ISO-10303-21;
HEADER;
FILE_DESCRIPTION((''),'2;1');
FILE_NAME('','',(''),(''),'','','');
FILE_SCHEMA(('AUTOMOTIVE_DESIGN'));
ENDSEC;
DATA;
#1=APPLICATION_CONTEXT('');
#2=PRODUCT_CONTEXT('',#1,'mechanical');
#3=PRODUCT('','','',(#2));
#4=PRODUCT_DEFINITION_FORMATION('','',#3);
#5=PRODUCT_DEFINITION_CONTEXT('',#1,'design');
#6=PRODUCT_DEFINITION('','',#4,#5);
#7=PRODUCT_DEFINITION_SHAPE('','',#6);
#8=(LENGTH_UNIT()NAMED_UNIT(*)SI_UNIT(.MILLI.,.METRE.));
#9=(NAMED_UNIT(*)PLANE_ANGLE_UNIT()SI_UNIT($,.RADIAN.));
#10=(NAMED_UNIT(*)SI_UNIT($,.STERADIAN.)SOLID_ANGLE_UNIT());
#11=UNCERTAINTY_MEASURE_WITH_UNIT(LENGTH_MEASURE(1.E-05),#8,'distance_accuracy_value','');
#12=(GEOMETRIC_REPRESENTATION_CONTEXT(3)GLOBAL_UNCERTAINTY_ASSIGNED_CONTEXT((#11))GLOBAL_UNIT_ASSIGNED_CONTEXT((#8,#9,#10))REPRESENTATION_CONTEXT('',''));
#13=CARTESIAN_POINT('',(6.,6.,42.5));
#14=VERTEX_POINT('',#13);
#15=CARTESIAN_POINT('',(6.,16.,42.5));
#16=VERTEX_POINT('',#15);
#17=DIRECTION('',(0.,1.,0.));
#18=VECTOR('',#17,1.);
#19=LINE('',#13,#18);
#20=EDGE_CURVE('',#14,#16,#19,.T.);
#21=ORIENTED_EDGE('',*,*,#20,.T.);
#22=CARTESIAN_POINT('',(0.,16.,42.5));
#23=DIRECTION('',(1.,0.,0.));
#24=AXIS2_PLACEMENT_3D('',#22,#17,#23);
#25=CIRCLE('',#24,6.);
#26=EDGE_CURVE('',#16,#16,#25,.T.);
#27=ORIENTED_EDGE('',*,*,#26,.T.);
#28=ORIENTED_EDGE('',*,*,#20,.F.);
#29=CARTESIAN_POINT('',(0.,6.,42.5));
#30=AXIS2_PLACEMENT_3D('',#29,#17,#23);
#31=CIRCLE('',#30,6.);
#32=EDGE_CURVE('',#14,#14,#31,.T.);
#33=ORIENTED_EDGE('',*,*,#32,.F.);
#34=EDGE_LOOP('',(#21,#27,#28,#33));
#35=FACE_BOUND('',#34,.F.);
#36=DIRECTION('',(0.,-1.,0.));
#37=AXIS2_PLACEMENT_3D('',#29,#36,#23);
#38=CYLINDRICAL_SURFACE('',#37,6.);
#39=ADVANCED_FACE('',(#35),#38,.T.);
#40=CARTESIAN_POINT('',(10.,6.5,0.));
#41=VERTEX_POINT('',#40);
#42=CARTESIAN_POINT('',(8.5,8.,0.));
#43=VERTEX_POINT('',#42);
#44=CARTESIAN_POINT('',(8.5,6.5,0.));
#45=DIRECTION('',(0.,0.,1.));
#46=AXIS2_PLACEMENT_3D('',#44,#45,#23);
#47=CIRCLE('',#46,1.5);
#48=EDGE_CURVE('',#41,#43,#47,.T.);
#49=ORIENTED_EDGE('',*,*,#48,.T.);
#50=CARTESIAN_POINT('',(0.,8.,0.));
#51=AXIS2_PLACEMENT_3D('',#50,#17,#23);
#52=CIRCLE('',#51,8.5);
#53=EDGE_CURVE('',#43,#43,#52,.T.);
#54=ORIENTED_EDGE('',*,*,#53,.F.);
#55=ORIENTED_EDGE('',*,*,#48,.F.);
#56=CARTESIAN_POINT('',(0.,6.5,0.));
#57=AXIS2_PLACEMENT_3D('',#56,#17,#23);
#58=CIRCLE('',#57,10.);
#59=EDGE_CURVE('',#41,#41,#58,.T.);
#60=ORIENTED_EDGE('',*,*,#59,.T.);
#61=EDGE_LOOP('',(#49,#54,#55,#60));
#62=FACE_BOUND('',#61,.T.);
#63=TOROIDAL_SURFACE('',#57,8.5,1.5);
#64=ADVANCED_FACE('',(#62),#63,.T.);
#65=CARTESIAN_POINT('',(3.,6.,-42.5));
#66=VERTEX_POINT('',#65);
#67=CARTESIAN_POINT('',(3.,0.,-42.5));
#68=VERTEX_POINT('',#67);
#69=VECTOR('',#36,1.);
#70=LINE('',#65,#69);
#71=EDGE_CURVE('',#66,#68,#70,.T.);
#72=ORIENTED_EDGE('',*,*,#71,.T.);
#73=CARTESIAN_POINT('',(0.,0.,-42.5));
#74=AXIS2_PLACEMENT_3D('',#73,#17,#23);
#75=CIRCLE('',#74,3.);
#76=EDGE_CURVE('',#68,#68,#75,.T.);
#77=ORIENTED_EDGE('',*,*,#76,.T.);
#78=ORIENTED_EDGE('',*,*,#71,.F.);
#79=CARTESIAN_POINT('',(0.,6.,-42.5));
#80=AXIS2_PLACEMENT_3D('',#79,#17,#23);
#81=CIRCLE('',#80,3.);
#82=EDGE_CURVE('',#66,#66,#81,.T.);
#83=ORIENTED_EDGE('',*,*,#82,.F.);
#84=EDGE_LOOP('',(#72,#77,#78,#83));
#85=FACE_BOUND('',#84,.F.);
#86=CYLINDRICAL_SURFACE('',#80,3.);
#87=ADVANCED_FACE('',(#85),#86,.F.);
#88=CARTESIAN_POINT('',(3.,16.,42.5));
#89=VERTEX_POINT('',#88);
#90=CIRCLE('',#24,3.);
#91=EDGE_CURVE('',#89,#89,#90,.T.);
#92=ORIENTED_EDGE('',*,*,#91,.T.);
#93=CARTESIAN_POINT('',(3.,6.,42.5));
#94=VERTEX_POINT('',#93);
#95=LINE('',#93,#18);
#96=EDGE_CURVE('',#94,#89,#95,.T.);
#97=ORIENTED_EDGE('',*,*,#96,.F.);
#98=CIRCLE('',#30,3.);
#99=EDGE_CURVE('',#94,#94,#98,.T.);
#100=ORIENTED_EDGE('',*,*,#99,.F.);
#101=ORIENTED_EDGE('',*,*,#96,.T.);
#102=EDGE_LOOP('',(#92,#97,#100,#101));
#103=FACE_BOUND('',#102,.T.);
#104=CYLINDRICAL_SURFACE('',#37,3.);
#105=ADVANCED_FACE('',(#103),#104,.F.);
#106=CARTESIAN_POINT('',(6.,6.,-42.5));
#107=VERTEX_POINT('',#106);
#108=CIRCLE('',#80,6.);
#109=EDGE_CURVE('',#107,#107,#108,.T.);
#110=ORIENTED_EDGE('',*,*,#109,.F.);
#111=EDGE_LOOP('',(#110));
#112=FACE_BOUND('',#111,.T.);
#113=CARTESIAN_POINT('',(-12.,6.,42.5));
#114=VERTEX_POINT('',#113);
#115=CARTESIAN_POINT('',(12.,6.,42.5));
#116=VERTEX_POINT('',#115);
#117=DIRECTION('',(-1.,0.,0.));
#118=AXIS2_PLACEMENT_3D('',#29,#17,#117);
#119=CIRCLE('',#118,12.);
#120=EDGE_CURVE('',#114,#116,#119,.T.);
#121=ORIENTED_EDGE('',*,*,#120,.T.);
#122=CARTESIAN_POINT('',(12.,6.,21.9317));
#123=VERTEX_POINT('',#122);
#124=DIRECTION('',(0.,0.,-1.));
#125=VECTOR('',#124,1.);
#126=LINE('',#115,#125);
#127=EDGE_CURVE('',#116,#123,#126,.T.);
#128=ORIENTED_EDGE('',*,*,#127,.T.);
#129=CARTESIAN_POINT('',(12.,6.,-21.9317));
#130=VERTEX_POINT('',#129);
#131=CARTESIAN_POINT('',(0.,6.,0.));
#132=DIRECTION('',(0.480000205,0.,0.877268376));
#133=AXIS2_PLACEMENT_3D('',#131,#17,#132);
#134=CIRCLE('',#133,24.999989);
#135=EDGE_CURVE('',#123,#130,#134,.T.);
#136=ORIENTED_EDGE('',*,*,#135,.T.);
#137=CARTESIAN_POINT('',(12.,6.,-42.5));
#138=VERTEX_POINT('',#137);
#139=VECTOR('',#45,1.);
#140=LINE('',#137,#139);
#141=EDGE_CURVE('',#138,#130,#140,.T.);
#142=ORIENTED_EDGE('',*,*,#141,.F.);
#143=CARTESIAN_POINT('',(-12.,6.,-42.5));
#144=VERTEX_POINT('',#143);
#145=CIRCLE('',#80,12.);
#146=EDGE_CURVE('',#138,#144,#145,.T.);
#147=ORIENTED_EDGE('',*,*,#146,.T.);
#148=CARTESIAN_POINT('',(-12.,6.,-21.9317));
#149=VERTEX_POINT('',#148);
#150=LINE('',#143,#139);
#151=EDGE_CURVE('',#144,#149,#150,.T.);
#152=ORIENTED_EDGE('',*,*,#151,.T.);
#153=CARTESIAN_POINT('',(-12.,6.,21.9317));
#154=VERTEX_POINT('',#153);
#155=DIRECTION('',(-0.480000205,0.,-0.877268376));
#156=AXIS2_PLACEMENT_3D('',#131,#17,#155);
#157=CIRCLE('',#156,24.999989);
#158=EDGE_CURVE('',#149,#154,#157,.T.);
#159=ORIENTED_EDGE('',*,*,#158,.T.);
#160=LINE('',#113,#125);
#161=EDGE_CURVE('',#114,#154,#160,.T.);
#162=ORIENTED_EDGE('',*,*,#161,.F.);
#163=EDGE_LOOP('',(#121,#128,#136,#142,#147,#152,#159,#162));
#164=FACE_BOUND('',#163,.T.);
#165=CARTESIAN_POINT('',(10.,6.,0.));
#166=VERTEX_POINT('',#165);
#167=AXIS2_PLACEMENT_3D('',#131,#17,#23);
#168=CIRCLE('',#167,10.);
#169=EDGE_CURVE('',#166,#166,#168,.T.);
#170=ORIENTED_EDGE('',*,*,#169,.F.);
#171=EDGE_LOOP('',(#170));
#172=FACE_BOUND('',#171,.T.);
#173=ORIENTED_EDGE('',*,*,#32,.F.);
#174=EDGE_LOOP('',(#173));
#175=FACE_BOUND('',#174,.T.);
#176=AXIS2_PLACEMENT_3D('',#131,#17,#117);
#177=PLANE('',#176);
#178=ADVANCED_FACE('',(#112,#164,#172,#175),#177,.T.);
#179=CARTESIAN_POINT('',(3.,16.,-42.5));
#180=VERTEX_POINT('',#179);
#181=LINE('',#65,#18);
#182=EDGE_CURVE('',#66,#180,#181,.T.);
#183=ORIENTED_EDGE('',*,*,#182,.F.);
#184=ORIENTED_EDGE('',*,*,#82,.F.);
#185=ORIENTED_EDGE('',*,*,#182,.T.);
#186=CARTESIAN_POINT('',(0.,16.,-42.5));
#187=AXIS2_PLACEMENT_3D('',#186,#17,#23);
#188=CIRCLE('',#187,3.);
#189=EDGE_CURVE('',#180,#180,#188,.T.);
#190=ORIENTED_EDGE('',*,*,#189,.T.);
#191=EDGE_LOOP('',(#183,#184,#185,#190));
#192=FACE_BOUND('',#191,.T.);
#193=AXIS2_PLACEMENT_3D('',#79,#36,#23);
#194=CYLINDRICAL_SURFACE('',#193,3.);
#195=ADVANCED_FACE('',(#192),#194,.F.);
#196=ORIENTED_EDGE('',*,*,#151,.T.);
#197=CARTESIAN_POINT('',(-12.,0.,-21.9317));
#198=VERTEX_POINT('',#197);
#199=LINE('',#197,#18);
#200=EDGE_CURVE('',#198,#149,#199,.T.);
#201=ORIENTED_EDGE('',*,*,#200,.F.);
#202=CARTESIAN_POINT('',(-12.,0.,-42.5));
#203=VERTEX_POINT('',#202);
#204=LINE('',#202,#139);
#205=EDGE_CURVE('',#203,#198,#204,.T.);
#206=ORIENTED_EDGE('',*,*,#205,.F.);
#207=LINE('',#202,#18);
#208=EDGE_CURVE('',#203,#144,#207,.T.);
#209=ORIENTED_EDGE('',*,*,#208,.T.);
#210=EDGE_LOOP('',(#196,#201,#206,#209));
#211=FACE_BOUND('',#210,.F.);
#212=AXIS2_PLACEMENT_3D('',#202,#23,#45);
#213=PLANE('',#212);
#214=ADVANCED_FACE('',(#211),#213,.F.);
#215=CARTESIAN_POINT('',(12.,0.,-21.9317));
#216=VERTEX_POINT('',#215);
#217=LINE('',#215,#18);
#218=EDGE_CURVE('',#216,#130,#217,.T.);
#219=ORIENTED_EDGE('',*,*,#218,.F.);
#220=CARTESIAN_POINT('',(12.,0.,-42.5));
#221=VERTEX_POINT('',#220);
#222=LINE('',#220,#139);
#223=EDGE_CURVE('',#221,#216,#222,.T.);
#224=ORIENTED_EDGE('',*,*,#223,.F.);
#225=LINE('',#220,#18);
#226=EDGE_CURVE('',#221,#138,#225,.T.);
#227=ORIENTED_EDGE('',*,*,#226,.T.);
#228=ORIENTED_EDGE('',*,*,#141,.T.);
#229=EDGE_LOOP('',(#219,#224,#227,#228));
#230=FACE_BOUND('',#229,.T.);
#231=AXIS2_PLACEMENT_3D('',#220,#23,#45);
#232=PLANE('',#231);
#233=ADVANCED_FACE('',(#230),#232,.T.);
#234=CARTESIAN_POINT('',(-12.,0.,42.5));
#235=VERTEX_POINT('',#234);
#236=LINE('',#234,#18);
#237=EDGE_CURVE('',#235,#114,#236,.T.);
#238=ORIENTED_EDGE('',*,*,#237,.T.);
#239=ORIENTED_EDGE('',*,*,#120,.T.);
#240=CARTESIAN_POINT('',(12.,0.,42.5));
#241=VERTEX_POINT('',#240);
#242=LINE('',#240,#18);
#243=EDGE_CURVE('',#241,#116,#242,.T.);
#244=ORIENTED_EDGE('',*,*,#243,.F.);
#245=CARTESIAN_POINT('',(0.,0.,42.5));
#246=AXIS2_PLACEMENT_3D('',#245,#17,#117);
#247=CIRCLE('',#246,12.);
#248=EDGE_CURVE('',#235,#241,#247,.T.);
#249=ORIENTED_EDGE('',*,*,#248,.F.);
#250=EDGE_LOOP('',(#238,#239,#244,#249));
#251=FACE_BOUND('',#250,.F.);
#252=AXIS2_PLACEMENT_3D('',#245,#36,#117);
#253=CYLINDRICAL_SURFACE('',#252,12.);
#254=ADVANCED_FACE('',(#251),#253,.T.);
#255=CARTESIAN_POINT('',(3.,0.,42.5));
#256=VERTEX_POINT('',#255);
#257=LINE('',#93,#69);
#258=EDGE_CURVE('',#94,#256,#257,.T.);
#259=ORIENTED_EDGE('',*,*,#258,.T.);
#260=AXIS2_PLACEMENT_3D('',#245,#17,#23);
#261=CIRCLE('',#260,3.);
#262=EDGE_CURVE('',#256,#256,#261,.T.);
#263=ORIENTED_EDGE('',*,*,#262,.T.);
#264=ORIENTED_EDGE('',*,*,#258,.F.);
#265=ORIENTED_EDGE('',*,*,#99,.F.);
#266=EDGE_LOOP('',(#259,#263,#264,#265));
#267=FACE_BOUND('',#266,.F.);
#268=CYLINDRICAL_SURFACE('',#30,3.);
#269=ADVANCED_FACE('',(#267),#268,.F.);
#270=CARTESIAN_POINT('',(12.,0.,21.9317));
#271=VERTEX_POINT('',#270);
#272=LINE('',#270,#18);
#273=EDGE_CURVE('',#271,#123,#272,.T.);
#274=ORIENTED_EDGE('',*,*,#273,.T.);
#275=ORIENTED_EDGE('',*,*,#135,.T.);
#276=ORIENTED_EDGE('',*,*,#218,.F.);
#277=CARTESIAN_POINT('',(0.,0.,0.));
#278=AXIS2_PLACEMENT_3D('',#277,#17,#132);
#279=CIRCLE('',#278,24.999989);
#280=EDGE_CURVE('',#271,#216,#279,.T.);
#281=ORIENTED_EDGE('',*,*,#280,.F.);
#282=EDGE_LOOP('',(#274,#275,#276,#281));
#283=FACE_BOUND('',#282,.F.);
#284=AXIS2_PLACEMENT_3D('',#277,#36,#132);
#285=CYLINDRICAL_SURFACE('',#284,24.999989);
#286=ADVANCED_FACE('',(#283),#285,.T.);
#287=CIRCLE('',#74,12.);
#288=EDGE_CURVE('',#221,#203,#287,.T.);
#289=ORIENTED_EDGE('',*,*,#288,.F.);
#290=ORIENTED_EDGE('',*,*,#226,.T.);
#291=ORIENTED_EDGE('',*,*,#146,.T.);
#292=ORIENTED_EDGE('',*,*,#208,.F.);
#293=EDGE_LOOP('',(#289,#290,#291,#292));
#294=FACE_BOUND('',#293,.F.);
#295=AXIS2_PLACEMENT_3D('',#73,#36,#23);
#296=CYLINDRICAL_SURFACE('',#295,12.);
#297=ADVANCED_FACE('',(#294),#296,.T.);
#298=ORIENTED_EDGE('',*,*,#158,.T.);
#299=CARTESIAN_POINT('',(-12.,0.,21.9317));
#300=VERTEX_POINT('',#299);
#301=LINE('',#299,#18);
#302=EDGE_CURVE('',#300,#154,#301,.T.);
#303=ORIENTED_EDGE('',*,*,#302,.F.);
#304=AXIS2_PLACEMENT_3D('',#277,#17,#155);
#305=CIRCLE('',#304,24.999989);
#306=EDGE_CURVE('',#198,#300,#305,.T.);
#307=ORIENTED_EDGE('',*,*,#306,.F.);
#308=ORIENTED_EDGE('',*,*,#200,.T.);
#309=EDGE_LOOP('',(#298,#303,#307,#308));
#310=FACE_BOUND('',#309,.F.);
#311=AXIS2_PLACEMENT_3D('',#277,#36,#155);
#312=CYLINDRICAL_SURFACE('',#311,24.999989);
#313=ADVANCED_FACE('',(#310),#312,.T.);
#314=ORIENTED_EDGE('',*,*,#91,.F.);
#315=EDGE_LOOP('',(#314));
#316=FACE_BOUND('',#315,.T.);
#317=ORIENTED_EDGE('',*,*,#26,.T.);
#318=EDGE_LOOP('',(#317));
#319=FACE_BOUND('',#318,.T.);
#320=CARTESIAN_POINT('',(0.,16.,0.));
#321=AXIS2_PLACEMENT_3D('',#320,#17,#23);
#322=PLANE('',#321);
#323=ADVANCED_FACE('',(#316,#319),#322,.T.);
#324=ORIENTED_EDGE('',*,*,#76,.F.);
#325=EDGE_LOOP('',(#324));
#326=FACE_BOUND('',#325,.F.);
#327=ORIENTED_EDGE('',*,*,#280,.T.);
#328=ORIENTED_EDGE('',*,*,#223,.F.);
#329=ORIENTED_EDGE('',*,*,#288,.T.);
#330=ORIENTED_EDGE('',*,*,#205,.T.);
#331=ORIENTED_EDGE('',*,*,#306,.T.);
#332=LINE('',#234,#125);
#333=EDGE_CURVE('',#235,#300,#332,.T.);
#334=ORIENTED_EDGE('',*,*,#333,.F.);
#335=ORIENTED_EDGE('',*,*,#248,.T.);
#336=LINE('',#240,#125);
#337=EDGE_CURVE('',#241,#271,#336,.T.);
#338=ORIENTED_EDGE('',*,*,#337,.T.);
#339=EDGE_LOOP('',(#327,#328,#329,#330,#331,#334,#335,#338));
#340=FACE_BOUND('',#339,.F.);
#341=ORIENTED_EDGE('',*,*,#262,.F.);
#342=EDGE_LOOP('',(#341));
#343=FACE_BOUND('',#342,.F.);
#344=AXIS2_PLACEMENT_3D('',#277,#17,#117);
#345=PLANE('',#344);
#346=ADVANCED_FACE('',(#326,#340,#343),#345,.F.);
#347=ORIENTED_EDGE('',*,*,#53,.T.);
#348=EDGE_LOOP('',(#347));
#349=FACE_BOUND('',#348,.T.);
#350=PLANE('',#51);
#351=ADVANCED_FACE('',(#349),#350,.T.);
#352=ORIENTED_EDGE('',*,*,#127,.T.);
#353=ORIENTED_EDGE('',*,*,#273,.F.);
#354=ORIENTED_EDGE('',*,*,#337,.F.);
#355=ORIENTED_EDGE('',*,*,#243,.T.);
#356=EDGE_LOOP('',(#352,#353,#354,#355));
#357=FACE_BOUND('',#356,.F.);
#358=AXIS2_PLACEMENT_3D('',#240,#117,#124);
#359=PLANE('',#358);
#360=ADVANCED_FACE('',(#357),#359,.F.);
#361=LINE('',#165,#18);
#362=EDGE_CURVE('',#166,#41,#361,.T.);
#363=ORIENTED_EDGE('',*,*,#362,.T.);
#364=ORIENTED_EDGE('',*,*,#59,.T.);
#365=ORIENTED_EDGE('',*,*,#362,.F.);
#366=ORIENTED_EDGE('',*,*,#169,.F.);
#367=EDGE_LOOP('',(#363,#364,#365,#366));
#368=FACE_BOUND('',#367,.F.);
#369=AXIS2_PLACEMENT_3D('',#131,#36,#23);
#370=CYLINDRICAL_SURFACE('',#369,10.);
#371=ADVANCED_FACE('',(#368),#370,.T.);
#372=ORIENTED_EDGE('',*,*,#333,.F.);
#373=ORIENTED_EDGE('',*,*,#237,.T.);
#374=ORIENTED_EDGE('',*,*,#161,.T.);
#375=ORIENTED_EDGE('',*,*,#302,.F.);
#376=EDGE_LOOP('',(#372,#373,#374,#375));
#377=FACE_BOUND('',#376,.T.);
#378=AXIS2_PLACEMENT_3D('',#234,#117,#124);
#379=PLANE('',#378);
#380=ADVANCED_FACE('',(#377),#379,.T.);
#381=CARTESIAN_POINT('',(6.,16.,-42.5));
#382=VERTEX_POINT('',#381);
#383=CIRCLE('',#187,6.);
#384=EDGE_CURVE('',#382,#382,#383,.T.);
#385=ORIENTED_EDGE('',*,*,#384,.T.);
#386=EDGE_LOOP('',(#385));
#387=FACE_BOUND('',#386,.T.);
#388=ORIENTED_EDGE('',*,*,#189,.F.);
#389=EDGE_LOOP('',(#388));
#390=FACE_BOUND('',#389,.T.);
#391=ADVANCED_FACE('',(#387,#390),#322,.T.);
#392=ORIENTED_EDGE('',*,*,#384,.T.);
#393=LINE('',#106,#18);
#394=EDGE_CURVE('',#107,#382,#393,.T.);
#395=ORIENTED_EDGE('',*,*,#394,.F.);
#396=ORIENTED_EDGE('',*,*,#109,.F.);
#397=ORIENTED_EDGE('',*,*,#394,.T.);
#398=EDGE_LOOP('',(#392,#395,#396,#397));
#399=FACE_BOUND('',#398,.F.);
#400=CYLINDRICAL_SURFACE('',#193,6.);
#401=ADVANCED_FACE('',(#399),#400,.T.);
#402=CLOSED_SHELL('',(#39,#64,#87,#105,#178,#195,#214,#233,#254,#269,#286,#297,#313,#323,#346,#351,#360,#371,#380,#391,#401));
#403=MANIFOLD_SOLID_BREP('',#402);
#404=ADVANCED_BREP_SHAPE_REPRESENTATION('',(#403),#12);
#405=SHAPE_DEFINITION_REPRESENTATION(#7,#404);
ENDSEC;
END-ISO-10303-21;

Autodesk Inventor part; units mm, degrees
ref_plane "YZ Plane" through (0, 0, 0) normal (1, 0, 0) x (0, 1, 0)
ref_plane "XZ Plane" through (0, 0, 0) normal (0, 1, 0) x (-1, 0, 0)
ref_plane "XY Plane" through (0, 0, 0) normal (0, 0, 1) x (1, 0, 0)
sketch "Sketch1" plane through (0, 0, 0) normal (0, 1, 0) x (-1, 0, 0)
  arc A0 (12, 42.5) -> (-12, 42.5) centre (0, 42.5) ccw
  arc A1 (-12, -42.5) -> (12, -42.5) centre (0, -42.5) ccw
  line L0 (0, 42.5) -> (12, 42.5) construction
  line L1 (0, -42.5) -> (12, -42.5) construction
  line L2 (0, -42.5) -> (-12, -42.5) construction
  line L3 (0, 42.5) -> (-12, 42.5) construction
  line L4 (12, 42.5) -> (12, 21.9317)
  line L5 (12, -42.5) -> (12, -21.9317)
  line L6 (-12, -42.5) -> (-12, -21.9317)
  line L7 (-12, 42.5) -> (-12, 21.9317)
  arc A2 (-12, 21.9317) -> (-12, -21.9317) centre (0, 0) ccw
  arc A3 (12, -21.9317) -> (12, 21.9317) centre (0, 0) ccw
extrude "Extrusion1" add sketch "Sketch1" along normal blind 6
sketch "Sketch2" plane through (0, 6, 0) normal (0, 1, 0) x (1, 0, 0)
  circle A0 centre (0, 0) radius 10
  circle A1 centre (0, 0) radius 19.5 construction
  arc A2 (-12, -42.5) -> (12, -42.5) centre (0, -42.5) ccw construction
  line L0 (0, -42.5) -> (0, -54.5) construction
  arc A3 (12, 42.5) -> (-12, 42.5) centre (0, 42.5) ccw construction
  line L1 (0, 42.5) -> (0, 54.5) construction
  circle A4 centre (0, -42.5) radius 6
  circle A5 centre (0, -42.5) radius 3
  circle A6 centre (0, 42.5) radius 6
  circle A7 centre (0, 42.5) radius 3
  dimension "d11" = 20
  dimension "d12" = 39
extrude "Extrusion2" add sketch "Sketch2" along normal blind 10 contours A4 | A6
sketch "Sketch3" plane through (0, 6, 42.5) normal (0, 1, 0) x (1, 0, 0)
  circle A0 centre (0, 0) radius 3 projected
  circle A1 centre (0, 0) radius 3
  point P0 (0, 42.5)
extrude "Extrusion3" cut sketch "Sketch3" against normal blind 7
sketch "Sketch4" plane through (0, 6, -42.5) normal (0, 1, 0) x (1, 0, 0)
  circle A0 centre (0, 0) radius 3
  point P0 (0, -42.5)
extrude "Extrusion4" cut sketch "Sketch4" against normal blind 7
sketch "Sketch5" plane through (0, 6, 0) normal (0, 1, 0) x (1, 0, 0)
  circle A0 centre (0, 0) radius 10
  dimension "d23" = 20
extrude "Extrusion5" add sketch "Sketch5" along normal blind 2
fillet "Fillet1" radius 1.5 1 edges at (-10, 8, 0)
properties part number "Coperchio Superiore"
